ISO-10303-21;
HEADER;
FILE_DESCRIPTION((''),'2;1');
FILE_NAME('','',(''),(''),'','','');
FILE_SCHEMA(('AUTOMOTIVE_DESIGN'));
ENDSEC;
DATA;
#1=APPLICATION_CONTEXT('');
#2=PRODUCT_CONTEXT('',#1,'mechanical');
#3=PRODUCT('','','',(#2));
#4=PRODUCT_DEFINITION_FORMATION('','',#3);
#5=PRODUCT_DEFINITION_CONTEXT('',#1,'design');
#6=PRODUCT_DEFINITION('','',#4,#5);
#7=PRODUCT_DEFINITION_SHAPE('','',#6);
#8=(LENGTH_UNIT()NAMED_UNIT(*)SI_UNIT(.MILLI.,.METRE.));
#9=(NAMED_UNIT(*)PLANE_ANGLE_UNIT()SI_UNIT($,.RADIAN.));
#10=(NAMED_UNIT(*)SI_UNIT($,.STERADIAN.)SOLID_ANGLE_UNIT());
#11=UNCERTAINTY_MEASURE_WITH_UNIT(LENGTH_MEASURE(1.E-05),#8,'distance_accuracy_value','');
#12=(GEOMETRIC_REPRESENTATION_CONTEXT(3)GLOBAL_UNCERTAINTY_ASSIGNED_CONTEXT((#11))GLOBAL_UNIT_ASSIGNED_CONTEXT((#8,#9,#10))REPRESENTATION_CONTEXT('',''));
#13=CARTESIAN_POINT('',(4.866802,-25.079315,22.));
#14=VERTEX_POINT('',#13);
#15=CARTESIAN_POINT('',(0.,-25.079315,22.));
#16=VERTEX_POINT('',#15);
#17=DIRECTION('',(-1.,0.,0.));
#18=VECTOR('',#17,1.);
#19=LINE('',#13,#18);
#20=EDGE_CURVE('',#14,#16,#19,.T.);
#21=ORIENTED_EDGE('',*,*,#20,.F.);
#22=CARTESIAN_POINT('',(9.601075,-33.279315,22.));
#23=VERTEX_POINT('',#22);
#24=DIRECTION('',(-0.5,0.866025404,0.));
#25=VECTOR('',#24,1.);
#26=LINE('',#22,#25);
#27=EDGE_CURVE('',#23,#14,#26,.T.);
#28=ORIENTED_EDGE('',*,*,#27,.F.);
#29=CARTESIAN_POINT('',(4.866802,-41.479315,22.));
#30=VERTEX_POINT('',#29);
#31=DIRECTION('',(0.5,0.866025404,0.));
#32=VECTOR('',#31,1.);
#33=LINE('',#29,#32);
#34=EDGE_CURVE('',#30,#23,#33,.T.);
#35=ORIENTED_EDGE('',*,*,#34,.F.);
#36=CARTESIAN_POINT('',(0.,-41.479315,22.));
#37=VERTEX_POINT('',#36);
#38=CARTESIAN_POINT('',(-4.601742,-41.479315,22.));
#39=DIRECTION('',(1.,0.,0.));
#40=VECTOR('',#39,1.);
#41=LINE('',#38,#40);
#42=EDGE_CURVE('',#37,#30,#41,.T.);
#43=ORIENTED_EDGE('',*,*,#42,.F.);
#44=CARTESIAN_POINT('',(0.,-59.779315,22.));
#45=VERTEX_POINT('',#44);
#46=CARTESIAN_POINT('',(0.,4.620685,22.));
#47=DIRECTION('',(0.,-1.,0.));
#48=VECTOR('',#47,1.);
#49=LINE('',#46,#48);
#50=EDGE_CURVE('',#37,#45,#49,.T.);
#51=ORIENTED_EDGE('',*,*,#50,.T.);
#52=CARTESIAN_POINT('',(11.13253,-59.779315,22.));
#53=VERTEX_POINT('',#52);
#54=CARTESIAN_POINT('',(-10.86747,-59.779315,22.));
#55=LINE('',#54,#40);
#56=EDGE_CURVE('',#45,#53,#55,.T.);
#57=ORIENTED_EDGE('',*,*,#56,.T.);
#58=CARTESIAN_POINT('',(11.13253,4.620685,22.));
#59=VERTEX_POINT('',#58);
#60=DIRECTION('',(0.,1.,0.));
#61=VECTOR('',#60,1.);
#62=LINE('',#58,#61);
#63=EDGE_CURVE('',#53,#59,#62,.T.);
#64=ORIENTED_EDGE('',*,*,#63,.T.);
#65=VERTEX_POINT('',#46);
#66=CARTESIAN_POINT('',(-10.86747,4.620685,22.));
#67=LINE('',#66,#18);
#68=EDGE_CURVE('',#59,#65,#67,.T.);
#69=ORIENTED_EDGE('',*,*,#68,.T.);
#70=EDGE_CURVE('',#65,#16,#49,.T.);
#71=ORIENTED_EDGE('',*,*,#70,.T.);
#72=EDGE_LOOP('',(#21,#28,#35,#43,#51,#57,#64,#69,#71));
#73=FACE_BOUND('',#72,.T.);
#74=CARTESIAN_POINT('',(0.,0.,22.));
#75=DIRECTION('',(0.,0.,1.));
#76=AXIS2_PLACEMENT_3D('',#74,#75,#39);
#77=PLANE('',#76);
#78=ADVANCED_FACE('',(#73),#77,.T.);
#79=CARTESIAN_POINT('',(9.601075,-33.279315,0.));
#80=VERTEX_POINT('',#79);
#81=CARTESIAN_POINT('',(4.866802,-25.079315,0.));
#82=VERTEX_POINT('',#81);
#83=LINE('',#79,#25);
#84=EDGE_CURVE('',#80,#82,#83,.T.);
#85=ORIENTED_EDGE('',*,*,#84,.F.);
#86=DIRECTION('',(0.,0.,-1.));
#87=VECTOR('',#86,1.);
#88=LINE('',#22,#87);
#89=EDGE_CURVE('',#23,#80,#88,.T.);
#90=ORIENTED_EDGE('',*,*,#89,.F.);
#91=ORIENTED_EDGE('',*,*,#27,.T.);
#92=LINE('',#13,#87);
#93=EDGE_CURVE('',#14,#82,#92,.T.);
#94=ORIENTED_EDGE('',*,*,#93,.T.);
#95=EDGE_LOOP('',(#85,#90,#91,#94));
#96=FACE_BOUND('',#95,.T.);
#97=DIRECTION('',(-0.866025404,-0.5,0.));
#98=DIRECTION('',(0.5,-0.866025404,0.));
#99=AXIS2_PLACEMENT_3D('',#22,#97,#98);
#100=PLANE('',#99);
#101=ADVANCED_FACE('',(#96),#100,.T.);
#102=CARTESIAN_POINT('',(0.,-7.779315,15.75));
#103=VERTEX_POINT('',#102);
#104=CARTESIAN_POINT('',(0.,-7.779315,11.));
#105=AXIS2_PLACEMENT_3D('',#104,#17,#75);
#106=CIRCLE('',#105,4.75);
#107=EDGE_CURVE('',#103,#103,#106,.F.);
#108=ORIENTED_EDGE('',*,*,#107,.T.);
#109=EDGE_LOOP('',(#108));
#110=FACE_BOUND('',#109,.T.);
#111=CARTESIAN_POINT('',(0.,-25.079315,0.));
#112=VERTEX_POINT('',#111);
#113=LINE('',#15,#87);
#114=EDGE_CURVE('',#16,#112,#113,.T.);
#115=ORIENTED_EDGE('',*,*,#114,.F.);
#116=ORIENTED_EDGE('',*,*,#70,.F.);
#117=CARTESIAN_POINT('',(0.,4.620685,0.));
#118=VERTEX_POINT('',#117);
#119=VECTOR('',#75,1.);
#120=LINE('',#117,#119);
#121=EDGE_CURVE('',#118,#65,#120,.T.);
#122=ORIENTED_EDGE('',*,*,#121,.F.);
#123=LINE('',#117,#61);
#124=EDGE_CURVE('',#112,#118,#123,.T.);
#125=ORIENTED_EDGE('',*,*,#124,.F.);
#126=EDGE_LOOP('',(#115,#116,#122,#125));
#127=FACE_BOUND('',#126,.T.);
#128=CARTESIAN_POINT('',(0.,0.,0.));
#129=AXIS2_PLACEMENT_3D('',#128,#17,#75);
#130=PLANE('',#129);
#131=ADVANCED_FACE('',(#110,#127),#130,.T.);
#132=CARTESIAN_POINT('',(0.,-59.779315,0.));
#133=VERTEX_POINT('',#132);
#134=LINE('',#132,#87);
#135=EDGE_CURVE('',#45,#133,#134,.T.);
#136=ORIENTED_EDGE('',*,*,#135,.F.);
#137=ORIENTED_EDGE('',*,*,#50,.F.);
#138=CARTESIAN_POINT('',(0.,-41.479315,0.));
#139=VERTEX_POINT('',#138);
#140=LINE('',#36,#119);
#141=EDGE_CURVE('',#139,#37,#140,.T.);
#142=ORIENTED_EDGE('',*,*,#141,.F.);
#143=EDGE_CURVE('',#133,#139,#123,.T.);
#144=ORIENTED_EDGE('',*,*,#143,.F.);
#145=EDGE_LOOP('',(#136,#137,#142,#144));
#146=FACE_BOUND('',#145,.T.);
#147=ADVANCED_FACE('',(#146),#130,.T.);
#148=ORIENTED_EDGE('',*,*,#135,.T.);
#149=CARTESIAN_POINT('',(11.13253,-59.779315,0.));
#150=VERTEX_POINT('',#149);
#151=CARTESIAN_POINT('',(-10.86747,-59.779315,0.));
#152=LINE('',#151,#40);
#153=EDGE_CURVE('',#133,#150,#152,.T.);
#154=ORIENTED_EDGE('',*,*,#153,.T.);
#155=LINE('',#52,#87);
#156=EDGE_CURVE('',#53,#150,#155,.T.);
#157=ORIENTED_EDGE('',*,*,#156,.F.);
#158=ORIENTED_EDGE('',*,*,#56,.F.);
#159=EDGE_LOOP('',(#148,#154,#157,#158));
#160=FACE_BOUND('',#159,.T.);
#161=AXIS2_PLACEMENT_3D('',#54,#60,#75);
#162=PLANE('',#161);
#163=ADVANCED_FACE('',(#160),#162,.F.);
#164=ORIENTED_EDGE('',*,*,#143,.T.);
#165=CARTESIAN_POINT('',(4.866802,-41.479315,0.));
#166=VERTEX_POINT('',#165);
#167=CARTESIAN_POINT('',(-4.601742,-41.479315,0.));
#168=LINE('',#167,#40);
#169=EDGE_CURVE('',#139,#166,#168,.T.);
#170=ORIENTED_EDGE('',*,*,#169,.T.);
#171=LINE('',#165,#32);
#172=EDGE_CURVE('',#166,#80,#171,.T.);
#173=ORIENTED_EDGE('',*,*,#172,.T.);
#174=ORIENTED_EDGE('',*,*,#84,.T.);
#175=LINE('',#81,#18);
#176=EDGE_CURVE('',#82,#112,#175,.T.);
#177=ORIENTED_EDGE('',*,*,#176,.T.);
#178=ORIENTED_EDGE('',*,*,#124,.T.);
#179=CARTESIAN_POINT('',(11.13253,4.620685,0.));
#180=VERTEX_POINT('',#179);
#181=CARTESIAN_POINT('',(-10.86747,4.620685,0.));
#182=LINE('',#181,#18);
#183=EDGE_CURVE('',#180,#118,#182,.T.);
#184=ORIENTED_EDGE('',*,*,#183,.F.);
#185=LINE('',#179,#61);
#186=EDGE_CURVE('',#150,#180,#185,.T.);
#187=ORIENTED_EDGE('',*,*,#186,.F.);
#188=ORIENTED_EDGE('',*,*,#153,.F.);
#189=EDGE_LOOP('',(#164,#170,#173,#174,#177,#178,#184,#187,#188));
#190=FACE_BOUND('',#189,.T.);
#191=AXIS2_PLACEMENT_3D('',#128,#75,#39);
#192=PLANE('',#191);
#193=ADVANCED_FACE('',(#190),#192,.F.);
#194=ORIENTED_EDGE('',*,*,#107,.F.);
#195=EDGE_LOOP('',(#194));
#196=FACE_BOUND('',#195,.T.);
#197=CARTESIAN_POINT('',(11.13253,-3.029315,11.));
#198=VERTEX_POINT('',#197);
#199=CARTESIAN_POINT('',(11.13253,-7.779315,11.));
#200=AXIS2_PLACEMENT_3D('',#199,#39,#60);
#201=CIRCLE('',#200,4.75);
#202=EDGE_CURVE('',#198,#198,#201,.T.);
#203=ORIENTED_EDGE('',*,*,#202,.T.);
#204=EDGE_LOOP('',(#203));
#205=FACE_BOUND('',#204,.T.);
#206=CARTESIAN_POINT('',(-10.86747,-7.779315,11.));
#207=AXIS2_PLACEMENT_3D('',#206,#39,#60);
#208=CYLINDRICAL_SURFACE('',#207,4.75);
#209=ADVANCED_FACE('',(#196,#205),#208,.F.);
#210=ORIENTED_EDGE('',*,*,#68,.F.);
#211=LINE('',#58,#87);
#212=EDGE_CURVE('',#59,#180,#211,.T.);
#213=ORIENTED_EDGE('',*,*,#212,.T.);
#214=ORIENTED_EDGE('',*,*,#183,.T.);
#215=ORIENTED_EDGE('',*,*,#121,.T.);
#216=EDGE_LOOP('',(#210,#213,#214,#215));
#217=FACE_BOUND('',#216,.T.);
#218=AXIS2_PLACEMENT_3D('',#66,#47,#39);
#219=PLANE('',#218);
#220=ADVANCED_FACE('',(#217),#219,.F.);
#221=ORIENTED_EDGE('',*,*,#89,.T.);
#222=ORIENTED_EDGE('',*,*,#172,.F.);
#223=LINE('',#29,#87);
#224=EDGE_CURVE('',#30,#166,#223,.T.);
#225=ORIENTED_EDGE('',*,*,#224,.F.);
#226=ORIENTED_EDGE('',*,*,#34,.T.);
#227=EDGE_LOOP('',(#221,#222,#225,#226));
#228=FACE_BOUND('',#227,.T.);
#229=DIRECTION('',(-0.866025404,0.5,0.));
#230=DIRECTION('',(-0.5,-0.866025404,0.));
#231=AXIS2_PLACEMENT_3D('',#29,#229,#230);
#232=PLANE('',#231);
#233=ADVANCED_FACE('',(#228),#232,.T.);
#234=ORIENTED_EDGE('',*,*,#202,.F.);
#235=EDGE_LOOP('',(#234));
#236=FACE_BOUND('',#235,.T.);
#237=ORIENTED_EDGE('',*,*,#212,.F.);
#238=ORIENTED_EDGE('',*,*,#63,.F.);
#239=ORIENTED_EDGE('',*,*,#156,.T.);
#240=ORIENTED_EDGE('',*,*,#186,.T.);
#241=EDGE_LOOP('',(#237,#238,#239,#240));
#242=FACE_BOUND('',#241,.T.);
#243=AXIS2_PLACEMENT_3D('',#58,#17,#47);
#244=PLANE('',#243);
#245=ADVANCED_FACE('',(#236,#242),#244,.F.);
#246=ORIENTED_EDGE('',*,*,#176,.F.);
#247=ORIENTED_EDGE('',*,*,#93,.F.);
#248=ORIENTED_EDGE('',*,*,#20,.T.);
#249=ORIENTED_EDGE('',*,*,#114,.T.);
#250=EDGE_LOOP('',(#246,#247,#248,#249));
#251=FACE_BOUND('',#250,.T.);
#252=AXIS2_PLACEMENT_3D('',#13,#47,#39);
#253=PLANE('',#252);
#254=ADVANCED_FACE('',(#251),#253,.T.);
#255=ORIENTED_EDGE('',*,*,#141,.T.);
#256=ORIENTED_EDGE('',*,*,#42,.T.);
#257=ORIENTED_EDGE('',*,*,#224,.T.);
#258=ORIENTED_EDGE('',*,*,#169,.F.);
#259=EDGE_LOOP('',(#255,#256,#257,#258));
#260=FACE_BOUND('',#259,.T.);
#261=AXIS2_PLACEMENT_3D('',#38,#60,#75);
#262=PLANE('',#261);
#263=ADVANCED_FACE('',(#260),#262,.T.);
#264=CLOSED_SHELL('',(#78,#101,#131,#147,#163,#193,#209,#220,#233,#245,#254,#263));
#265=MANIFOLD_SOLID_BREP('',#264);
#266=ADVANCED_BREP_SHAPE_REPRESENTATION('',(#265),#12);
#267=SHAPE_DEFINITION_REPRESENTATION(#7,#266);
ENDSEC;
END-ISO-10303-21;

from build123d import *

# Parameters (mm, degrees)
SKETCH_1_W          = 22
SKETCH_1_H          = 64.4
EXTRUDE_1_DEPTH     = 22
SKETCH_2_R          = 4.75
CUT_EXTRUDE_1_DEPTH = 22
SKETCH_3_W          = 22
SKETCH_3_H          = 64.4
CUT_EXTRUDE_2_DEPTH = 11


with BuildPart() as part:
    # 草圖1 → 填料-伸長1 (new body)
    with BuildSketch(Plane.XY):
        with Locations((0.13253012, -27.579314659)):
            Rectangle(SKETCH_1_W, SKETCH_1_H)
        Polygon((9.601074535, -33.279314659), (4.866802328, -25.079314659), (-4.601742087, -25.079314659), (-9.336014294, -33.279314659), (-4.601742087, -41.479314659), (4.866802328, -41.479314659), align=None, mode=Mode.SUBTRACT)
    extrude(amount=EXTRUDE_1_DEPTH)

    # 草圖2 → 除料-伸長1 (cut)
    with BuildSketch(Plane(origin=(11.13253012, 0, 0), x_dir=(0, 0, -1), z_dir=(1, 0, 0))):
        with Locations((-11, -7.779314659)):
            Circle(SKETCH_2_R)
    extrude(amount=-CUT_EXTRUDE_1_DEPTH, mode=Mode.SUBTRACT)

    # 草圖3 → 除料-伸長2 (cut)
    with BuildSketch(Plane(origin=(0, 0, 0), x_dir=(0, 0, -1), z_dir=(1, 0, 0))):
        with Locations((-11, -27.579314659)):
            Rectangle(SKETCH_3_W, SKETCH_3_H)
    extrude(amount=-CUT_EXTRUDE_2_DEPTH, mode=Mode.SUBTRACT)


solid = part.part
